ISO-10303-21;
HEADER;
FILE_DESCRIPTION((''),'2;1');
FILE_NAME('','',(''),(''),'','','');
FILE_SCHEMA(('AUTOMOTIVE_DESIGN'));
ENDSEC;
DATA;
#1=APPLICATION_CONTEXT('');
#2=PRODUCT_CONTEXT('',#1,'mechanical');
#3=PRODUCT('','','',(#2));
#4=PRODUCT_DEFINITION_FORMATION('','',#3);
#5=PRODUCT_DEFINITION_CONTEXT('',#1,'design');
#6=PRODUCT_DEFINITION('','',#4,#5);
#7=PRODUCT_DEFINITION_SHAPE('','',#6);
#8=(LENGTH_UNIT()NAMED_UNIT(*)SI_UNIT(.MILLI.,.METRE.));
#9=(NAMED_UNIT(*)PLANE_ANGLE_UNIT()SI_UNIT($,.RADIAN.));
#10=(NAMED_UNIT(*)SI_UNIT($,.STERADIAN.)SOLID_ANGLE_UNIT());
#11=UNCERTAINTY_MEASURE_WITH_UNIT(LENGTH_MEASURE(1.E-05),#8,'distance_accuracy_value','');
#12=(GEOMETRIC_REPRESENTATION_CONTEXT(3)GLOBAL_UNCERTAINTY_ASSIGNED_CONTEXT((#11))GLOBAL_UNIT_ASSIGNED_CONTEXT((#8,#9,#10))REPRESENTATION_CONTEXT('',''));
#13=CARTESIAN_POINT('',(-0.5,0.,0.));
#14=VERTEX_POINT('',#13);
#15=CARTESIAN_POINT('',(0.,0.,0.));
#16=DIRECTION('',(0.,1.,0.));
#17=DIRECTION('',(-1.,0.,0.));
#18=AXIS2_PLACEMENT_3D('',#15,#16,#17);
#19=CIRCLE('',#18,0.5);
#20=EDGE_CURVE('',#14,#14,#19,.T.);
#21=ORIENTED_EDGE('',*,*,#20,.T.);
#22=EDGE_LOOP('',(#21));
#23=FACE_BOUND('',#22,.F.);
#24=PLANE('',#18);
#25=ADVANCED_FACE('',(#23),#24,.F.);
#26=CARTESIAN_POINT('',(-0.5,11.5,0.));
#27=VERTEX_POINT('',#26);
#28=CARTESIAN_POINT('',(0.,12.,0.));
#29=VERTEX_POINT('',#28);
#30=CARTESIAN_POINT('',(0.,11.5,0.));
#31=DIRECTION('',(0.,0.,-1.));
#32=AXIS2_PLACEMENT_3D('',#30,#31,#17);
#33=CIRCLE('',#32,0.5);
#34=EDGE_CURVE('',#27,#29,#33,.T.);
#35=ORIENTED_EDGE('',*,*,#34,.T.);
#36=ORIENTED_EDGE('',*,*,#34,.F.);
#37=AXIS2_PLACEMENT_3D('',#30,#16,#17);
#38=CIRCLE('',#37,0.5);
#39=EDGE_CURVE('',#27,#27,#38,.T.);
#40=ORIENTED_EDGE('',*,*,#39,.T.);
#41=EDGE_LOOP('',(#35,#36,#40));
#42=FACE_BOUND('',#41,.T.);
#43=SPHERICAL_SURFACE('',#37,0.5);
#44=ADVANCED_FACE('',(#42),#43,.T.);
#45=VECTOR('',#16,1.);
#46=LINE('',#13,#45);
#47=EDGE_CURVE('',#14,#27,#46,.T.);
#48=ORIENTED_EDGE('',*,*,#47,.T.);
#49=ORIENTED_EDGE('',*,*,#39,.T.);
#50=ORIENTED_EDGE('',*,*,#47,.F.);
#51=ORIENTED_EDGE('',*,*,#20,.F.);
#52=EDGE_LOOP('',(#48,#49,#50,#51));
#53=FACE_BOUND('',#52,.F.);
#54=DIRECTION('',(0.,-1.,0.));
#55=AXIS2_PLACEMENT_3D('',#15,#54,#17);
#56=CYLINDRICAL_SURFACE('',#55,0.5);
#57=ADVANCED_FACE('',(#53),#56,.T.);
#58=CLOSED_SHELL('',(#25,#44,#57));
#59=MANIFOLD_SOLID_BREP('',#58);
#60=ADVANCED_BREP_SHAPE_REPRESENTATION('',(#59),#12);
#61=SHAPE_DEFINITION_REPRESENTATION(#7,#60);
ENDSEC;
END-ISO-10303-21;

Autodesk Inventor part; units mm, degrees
ref_plane "YZ Plane" through (0, 0, 0) normal (1, 0, 0) x (0, 1, 0)
ref_plane "XZ Plane" through (0, 0, 0) normal (0, 1, 0) x (-1, 0, 0)
ref_plane "XY Plane" through (0, 0, 0) normal (0, 0, 1) x (1, 0, 0)
sketch "Sketch1" plane through (0, 0, 0) normal (0, 1, 0) x (-1, 0, 0)
  circle A0 centre (0, 0) radius 0.5
  dimension "d0" = 1
extrude "Extrusion1" add sketch "Sketch1" along normal blind 12
fillet "Fillet1" radius 0.5 1 edges at (0.5, 12, 0)
properties part number "staafje"
